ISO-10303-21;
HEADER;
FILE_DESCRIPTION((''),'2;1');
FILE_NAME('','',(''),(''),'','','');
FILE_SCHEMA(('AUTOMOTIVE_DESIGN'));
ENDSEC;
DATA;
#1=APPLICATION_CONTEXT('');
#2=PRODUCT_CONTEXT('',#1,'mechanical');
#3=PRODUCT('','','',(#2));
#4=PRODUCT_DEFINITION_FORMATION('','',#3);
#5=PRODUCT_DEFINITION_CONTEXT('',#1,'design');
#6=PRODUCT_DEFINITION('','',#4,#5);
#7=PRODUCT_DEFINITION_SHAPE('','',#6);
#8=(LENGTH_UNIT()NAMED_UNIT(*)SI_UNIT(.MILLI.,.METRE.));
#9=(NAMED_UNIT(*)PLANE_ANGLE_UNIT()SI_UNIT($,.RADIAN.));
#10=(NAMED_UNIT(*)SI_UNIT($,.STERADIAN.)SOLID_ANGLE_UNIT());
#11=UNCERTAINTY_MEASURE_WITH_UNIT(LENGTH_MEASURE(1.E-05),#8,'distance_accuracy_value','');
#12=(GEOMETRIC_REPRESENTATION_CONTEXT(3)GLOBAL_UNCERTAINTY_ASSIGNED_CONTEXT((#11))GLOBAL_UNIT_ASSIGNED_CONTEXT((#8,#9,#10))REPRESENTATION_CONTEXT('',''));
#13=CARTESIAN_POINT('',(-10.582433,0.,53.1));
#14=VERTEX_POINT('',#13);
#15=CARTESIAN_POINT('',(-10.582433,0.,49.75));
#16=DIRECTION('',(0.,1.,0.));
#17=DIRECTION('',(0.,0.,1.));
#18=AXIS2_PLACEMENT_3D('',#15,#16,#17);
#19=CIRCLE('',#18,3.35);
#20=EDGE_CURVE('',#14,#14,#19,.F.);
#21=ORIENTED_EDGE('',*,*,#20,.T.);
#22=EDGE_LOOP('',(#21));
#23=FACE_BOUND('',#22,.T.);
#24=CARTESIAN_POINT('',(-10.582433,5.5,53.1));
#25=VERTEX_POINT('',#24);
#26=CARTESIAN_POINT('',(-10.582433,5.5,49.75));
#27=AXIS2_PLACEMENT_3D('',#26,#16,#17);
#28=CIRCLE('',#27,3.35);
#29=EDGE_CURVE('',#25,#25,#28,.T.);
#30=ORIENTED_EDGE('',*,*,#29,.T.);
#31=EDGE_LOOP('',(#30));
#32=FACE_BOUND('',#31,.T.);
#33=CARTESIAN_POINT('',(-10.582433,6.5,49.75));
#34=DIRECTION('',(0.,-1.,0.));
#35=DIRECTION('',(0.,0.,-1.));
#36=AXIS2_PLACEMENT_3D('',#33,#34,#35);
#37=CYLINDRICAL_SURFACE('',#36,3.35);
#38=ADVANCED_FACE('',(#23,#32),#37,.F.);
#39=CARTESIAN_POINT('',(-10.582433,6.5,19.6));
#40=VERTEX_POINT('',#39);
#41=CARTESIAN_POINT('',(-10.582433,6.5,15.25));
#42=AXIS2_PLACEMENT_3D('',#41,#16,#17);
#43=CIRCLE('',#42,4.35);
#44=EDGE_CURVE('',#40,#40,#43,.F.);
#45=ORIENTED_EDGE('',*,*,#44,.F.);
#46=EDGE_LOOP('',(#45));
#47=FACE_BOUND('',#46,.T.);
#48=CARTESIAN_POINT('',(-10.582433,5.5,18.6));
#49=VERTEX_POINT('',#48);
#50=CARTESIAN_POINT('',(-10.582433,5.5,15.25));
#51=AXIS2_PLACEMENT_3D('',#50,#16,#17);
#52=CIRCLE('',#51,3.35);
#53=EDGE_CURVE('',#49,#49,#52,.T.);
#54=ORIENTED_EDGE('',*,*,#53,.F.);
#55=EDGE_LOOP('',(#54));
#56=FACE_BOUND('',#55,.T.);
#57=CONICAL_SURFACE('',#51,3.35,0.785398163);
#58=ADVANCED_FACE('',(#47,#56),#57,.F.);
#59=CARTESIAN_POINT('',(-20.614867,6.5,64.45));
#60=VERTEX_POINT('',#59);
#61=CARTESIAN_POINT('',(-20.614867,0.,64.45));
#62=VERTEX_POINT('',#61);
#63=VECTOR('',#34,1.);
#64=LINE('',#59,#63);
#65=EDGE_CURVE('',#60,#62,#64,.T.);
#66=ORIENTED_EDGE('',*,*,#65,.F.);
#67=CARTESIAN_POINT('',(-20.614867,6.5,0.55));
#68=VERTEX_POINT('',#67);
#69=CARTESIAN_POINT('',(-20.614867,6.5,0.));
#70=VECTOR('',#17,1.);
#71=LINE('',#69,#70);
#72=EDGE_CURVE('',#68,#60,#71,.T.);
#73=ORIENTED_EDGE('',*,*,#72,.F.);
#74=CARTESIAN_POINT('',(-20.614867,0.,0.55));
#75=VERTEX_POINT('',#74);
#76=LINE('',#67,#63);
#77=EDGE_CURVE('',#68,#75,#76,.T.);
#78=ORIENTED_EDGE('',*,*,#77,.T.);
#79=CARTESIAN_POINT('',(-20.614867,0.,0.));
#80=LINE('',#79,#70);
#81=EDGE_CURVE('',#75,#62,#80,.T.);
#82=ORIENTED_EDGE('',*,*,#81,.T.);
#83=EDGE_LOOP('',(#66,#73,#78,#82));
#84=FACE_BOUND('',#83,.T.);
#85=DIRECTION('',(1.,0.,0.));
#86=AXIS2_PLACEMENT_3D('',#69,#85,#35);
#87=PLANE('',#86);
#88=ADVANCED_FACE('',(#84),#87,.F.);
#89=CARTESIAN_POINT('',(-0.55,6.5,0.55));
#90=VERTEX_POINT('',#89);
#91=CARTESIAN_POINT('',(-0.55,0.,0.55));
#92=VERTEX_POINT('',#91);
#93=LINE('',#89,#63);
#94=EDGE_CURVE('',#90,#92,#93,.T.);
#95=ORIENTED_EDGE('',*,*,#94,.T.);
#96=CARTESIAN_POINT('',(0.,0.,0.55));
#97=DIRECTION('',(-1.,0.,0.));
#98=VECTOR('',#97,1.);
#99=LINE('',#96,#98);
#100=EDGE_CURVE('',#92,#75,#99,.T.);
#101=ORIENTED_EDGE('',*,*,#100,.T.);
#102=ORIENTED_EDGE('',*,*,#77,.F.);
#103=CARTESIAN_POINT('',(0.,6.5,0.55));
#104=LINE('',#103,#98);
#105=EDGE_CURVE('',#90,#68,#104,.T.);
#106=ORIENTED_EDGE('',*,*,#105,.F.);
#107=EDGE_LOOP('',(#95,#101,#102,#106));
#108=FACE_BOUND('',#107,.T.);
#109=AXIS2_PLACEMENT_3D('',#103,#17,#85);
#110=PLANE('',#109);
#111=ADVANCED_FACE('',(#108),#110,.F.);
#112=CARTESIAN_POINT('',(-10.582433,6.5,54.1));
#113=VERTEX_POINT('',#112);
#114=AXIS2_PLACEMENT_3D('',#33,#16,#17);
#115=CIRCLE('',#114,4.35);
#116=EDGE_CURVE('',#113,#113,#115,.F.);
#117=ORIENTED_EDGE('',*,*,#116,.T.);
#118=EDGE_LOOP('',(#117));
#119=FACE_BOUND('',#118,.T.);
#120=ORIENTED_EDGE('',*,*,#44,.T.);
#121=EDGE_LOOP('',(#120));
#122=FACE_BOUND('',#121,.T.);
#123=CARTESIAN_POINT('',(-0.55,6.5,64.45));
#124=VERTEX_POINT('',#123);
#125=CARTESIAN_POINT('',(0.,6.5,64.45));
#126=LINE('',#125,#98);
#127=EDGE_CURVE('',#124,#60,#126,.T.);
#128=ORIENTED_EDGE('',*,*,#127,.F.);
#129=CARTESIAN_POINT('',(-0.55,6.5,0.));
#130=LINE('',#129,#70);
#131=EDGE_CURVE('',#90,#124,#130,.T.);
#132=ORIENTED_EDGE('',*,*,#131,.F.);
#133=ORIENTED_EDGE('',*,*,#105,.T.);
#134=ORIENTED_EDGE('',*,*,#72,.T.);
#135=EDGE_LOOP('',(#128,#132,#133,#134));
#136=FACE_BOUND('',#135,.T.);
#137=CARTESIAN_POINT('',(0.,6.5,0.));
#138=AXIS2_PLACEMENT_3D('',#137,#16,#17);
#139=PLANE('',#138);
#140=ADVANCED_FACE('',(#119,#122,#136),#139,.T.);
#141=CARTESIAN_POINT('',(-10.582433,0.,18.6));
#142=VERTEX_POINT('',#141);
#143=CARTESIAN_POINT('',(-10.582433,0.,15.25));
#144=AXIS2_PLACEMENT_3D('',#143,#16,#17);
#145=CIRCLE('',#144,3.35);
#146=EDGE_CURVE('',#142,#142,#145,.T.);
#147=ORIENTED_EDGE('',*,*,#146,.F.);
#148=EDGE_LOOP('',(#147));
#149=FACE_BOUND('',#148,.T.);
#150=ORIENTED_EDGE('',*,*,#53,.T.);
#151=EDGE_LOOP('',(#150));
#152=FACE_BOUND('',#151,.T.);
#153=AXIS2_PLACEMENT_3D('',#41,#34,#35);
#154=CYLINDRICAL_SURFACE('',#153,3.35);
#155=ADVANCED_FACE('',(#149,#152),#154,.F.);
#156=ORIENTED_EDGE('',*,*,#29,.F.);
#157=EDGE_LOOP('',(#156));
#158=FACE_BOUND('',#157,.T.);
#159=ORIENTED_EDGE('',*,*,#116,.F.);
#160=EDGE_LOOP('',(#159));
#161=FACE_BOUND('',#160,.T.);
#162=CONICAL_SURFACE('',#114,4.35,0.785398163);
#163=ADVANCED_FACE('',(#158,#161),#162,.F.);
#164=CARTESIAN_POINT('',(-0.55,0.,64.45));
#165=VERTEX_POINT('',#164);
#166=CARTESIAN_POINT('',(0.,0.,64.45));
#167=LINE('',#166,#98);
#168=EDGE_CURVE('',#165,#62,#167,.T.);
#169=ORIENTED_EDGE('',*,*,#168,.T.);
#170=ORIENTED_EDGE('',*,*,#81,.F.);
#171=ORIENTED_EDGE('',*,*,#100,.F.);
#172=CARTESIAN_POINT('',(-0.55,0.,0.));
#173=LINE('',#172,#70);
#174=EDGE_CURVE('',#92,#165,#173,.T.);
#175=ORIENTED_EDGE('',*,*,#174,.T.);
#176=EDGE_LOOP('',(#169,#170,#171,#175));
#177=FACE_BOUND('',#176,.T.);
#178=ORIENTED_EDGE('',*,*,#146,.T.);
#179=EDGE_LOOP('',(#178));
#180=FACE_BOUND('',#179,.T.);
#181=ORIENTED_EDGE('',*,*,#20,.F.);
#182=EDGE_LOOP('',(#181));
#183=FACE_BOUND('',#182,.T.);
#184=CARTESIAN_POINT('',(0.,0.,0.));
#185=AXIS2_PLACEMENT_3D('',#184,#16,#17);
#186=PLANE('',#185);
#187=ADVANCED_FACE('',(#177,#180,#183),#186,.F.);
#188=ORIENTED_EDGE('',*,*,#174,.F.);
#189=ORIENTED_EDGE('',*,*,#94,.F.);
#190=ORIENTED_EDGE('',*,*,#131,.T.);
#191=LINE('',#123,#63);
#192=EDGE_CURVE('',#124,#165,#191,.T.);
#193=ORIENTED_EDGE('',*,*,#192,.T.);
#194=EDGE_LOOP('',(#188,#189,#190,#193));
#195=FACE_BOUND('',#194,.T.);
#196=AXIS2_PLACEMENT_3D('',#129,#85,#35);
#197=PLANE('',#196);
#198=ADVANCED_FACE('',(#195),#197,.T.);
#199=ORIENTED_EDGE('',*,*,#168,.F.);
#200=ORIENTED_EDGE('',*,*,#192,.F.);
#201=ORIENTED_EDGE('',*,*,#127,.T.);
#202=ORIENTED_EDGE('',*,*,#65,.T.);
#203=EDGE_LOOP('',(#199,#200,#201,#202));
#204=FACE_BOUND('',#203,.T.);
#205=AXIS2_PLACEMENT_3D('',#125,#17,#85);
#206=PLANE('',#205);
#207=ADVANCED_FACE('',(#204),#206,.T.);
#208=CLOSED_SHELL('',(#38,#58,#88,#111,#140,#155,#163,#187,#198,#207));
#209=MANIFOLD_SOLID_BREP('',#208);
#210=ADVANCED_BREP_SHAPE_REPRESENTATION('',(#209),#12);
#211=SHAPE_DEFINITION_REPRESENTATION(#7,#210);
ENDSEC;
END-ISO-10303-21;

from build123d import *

# Parameters (mm, degrees)
SKETCH1_W           = 20.06486665
SKETCH1_H           = 63.9
SKETCH1_R           = 3.35
BOSS_EXTRUDE1_DEPTH = 6.5
CHAMFER1_SIZE       = 1


with BuildPart() as part:
    # Sketch1 → Boss-Extrude1 (new body)
    with BuildSketch(Plane(origin=(0, 0, 0), x_dir=(1, 0, 0), z_dir=(0, 1, 0))):
        with Locations((-10.582433325, -32.5)):
            Rectangle(SKETCH1_W, SKETCH1_H)
        with Locations((-10.582433325, -15.25)):
            Circle(SKETCH1_R, mode=Mode.SUBTRACT)
        with Locations((-10.582433325, -49.75)):
            Circle(SKETCH1_R, mode=Mode.SUBTRACT)
    extrude(amount=BOSS_EXTRUDE1_DEPTH)

    # Chamfer1
    chamfer1_edges = [part.edges().sort_by_distance(p)[0] for p in [
        (-13.932433325, 6.5, 15.25),
        (-13.932433325, 6.5, 49.75),
    ]]
    chamfer(chamfer1_edges, length=CHAMFER1_SIZE)


solid = part.part
